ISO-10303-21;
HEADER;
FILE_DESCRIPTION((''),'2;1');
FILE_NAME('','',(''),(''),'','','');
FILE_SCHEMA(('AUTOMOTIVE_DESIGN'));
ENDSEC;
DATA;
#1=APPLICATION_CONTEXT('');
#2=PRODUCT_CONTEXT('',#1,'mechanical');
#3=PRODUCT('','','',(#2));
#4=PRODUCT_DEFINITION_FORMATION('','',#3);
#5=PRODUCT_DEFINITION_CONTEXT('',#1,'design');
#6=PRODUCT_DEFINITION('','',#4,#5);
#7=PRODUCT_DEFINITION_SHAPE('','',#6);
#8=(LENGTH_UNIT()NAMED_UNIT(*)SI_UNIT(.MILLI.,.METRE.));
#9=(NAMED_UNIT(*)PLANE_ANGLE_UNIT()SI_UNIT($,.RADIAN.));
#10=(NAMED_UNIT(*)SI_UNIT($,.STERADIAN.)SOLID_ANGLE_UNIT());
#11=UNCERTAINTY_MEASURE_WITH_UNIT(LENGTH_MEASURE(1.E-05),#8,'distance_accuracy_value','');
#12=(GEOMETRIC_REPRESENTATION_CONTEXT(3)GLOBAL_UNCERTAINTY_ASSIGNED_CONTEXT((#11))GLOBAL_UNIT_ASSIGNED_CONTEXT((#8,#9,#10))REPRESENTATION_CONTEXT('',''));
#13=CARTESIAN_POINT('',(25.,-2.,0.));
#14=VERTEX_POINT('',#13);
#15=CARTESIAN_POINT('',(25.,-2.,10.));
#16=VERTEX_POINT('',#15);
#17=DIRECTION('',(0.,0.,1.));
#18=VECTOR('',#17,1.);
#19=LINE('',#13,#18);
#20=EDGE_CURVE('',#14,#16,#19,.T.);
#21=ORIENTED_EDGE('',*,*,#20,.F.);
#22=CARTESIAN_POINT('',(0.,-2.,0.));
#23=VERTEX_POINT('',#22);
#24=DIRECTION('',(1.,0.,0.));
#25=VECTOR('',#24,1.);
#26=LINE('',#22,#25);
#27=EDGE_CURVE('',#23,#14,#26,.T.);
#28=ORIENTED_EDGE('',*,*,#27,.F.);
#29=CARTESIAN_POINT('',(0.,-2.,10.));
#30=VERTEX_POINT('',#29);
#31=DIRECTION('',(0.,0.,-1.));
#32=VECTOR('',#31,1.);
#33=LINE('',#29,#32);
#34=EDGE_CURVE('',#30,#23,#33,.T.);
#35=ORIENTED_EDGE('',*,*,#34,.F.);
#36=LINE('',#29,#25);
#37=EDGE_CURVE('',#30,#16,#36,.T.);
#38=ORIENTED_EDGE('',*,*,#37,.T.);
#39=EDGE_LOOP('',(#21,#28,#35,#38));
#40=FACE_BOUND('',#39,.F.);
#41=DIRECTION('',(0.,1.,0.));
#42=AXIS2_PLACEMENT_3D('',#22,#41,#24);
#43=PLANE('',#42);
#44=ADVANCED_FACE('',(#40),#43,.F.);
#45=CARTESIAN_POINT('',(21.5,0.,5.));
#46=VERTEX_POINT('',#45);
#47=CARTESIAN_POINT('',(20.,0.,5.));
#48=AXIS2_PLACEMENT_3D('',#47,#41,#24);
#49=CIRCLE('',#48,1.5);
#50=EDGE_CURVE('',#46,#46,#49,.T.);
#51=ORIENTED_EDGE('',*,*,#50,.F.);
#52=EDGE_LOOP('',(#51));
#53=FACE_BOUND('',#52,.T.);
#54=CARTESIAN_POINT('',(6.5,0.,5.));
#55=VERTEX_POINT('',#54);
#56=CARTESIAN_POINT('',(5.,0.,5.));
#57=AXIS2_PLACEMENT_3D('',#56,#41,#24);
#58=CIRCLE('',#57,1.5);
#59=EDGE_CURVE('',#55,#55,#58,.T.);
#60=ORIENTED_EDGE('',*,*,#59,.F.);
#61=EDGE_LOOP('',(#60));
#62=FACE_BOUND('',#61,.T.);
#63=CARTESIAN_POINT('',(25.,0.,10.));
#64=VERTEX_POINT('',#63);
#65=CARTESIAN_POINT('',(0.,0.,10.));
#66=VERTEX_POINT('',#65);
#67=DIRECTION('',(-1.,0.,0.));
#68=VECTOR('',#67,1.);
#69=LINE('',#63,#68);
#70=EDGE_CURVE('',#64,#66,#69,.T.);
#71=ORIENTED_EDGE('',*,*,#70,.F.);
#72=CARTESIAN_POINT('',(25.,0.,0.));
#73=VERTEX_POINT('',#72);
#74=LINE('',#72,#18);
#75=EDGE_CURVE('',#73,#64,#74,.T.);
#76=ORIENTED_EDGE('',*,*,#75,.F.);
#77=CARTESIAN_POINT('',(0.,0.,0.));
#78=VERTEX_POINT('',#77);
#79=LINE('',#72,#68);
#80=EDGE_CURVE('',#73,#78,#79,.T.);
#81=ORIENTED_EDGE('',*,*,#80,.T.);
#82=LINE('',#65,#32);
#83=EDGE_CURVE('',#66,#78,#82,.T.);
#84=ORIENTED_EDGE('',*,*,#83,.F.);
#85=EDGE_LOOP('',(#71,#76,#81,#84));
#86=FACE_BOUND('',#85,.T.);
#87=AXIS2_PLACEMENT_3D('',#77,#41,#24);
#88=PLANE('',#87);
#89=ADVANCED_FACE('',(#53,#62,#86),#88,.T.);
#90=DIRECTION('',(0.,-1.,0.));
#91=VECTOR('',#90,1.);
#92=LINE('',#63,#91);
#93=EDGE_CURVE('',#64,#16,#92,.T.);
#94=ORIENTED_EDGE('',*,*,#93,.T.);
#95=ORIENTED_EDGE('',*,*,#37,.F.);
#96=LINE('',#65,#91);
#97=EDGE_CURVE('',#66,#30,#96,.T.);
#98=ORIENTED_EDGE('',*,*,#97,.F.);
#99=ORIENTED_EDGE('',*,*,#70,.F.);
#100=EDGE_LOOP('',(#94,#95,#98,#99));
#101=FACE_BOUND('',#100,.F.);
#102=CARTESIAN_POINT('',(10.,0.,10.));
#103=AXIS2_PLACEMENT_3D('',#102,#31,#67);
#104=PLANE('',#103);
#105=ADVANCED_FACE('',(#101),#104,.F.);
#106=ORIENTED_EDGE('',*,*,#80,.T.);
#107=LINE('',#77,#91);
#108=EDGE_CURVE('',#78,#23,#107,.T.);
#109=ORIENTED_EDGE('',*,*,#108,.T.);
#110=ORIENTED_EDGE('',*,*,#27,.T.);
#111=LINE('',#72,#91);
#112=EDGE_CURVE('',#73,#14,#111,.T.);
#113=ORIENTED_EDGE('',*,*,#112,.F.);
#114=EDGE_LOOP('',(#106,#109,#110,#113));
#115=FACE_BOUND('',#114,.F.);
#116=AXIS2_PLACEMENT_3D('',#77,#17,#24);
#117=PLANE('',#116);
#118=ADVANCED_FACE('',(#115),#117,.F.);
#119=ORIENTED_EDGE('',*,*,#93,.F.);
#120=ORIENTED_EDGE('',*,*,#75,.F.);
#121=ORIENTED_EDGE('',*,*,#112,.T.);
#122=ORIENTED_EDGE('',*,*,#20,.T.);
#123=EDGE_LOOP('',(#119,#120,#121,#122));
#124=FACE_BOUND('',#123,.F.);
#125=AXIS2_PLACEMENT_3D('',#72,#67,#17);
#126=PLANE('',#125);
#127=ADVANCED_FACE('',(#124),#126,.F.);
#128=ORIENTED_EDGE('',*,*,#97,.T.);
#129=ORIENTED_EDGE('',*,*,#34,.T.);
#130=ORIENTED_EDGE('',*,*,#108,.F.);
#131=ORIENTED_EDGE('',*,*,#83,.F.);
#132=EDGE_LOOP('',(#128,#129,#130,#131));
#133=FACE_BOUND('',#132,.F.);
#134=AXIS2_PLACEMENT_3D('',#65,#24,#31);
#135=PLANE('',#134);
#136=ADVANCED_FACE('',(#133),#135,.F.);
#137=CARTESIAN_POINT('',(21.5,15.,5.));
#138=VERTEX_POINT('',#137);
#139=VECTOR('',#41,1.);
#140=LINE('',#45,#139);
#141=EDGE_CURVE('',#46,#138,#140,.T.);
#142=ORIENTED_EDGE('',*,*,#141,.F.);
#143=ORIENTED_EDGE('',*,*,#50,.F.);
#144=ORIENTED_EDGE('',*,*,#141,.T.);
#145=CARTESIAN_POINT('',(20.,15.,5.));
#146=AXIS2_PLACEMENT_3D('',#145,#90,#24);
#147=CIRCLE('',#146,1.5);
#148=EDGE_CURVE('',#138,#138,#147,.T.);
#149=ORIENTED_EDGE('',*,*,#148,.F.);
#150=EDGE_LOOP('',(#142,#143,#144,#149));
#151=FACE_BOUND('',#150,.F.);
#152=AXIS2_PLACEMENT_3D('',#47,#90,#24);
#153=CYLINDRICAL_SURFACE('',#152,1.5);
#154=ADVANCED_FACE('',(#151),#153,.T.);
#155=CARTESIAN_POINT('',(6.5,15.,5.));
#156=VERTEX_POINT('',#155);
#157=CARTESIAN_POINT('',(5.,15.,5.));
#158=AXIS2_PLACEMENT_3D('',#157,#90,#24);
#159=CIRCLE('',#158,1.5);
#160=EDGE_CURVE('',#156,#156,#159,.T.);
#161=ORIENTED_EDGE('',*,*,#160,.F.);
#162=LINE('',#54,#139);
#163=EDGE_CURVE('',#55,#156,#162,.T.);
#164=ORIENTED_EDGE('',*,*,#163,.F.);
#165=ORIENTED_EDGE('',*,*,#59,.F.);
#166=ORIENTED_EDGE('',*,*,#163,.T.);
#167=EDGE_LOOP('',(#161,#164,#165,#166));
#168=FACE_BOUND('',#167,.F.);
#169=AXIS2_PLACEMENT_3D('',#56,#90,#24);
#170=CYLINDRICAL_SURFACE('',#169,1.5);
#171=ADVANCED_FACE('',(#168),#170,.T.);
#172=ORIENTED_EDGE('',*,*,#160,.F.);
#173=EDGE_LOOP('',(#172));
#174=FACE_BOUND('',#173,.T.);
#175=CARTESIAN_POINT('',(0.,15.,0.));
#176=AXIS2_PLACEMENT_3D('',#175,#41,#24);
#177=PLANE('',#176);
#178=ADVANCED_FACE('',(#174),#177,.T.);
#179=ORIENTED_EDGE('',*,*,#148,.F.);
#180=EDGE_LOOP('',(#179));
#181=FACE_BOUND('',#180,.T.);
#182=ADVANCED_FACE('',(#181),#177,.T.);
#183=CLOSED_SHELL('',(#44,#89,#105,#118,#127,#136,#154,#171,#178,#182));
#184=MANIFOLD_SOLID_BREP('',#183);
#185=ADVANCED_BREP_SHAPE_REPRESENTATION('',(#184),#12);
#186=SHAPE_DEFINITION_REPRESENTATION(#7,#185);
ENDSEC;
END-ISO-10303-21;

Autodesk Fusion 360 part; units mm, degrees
sketch "Sketch1" plane through (0, 0, 0) normal (0, 1, 0) x (1, 0, 0)
  line L0 (0, 0) -> (25, 0)
  line L1 (25, 0) -> (25, -10)
  line L2 (25, -10) -> (0, -10)
  line L3 (0, -10) -> (0, 0)
  line L4 (0, -10) -> (10, -10)
  line L5 (25, 0) -> (15, 0)
  line L6 (0, 0) -> (10, -10)
  line L7 (15, 0) -> (25, -10)
  circle A0 centre (5, -5) radius 1.5
  circle A1 centre (20, -5) radius 1.5
  dimension "d1" = 25
  dimension "d2" = 10
  dimension "d3" = 10
  dimension "d4" = 10
  dimension "d5" = 3
  dimension "d6" = 3
extrude "Extrude1" add sketch "Sketch1" against normal blind 2
extrude "Extrude2" add sketch "Sketch1" along normal blind 15 contours L6 A0 | L6 A0 | L7 A1 | L7 A1
